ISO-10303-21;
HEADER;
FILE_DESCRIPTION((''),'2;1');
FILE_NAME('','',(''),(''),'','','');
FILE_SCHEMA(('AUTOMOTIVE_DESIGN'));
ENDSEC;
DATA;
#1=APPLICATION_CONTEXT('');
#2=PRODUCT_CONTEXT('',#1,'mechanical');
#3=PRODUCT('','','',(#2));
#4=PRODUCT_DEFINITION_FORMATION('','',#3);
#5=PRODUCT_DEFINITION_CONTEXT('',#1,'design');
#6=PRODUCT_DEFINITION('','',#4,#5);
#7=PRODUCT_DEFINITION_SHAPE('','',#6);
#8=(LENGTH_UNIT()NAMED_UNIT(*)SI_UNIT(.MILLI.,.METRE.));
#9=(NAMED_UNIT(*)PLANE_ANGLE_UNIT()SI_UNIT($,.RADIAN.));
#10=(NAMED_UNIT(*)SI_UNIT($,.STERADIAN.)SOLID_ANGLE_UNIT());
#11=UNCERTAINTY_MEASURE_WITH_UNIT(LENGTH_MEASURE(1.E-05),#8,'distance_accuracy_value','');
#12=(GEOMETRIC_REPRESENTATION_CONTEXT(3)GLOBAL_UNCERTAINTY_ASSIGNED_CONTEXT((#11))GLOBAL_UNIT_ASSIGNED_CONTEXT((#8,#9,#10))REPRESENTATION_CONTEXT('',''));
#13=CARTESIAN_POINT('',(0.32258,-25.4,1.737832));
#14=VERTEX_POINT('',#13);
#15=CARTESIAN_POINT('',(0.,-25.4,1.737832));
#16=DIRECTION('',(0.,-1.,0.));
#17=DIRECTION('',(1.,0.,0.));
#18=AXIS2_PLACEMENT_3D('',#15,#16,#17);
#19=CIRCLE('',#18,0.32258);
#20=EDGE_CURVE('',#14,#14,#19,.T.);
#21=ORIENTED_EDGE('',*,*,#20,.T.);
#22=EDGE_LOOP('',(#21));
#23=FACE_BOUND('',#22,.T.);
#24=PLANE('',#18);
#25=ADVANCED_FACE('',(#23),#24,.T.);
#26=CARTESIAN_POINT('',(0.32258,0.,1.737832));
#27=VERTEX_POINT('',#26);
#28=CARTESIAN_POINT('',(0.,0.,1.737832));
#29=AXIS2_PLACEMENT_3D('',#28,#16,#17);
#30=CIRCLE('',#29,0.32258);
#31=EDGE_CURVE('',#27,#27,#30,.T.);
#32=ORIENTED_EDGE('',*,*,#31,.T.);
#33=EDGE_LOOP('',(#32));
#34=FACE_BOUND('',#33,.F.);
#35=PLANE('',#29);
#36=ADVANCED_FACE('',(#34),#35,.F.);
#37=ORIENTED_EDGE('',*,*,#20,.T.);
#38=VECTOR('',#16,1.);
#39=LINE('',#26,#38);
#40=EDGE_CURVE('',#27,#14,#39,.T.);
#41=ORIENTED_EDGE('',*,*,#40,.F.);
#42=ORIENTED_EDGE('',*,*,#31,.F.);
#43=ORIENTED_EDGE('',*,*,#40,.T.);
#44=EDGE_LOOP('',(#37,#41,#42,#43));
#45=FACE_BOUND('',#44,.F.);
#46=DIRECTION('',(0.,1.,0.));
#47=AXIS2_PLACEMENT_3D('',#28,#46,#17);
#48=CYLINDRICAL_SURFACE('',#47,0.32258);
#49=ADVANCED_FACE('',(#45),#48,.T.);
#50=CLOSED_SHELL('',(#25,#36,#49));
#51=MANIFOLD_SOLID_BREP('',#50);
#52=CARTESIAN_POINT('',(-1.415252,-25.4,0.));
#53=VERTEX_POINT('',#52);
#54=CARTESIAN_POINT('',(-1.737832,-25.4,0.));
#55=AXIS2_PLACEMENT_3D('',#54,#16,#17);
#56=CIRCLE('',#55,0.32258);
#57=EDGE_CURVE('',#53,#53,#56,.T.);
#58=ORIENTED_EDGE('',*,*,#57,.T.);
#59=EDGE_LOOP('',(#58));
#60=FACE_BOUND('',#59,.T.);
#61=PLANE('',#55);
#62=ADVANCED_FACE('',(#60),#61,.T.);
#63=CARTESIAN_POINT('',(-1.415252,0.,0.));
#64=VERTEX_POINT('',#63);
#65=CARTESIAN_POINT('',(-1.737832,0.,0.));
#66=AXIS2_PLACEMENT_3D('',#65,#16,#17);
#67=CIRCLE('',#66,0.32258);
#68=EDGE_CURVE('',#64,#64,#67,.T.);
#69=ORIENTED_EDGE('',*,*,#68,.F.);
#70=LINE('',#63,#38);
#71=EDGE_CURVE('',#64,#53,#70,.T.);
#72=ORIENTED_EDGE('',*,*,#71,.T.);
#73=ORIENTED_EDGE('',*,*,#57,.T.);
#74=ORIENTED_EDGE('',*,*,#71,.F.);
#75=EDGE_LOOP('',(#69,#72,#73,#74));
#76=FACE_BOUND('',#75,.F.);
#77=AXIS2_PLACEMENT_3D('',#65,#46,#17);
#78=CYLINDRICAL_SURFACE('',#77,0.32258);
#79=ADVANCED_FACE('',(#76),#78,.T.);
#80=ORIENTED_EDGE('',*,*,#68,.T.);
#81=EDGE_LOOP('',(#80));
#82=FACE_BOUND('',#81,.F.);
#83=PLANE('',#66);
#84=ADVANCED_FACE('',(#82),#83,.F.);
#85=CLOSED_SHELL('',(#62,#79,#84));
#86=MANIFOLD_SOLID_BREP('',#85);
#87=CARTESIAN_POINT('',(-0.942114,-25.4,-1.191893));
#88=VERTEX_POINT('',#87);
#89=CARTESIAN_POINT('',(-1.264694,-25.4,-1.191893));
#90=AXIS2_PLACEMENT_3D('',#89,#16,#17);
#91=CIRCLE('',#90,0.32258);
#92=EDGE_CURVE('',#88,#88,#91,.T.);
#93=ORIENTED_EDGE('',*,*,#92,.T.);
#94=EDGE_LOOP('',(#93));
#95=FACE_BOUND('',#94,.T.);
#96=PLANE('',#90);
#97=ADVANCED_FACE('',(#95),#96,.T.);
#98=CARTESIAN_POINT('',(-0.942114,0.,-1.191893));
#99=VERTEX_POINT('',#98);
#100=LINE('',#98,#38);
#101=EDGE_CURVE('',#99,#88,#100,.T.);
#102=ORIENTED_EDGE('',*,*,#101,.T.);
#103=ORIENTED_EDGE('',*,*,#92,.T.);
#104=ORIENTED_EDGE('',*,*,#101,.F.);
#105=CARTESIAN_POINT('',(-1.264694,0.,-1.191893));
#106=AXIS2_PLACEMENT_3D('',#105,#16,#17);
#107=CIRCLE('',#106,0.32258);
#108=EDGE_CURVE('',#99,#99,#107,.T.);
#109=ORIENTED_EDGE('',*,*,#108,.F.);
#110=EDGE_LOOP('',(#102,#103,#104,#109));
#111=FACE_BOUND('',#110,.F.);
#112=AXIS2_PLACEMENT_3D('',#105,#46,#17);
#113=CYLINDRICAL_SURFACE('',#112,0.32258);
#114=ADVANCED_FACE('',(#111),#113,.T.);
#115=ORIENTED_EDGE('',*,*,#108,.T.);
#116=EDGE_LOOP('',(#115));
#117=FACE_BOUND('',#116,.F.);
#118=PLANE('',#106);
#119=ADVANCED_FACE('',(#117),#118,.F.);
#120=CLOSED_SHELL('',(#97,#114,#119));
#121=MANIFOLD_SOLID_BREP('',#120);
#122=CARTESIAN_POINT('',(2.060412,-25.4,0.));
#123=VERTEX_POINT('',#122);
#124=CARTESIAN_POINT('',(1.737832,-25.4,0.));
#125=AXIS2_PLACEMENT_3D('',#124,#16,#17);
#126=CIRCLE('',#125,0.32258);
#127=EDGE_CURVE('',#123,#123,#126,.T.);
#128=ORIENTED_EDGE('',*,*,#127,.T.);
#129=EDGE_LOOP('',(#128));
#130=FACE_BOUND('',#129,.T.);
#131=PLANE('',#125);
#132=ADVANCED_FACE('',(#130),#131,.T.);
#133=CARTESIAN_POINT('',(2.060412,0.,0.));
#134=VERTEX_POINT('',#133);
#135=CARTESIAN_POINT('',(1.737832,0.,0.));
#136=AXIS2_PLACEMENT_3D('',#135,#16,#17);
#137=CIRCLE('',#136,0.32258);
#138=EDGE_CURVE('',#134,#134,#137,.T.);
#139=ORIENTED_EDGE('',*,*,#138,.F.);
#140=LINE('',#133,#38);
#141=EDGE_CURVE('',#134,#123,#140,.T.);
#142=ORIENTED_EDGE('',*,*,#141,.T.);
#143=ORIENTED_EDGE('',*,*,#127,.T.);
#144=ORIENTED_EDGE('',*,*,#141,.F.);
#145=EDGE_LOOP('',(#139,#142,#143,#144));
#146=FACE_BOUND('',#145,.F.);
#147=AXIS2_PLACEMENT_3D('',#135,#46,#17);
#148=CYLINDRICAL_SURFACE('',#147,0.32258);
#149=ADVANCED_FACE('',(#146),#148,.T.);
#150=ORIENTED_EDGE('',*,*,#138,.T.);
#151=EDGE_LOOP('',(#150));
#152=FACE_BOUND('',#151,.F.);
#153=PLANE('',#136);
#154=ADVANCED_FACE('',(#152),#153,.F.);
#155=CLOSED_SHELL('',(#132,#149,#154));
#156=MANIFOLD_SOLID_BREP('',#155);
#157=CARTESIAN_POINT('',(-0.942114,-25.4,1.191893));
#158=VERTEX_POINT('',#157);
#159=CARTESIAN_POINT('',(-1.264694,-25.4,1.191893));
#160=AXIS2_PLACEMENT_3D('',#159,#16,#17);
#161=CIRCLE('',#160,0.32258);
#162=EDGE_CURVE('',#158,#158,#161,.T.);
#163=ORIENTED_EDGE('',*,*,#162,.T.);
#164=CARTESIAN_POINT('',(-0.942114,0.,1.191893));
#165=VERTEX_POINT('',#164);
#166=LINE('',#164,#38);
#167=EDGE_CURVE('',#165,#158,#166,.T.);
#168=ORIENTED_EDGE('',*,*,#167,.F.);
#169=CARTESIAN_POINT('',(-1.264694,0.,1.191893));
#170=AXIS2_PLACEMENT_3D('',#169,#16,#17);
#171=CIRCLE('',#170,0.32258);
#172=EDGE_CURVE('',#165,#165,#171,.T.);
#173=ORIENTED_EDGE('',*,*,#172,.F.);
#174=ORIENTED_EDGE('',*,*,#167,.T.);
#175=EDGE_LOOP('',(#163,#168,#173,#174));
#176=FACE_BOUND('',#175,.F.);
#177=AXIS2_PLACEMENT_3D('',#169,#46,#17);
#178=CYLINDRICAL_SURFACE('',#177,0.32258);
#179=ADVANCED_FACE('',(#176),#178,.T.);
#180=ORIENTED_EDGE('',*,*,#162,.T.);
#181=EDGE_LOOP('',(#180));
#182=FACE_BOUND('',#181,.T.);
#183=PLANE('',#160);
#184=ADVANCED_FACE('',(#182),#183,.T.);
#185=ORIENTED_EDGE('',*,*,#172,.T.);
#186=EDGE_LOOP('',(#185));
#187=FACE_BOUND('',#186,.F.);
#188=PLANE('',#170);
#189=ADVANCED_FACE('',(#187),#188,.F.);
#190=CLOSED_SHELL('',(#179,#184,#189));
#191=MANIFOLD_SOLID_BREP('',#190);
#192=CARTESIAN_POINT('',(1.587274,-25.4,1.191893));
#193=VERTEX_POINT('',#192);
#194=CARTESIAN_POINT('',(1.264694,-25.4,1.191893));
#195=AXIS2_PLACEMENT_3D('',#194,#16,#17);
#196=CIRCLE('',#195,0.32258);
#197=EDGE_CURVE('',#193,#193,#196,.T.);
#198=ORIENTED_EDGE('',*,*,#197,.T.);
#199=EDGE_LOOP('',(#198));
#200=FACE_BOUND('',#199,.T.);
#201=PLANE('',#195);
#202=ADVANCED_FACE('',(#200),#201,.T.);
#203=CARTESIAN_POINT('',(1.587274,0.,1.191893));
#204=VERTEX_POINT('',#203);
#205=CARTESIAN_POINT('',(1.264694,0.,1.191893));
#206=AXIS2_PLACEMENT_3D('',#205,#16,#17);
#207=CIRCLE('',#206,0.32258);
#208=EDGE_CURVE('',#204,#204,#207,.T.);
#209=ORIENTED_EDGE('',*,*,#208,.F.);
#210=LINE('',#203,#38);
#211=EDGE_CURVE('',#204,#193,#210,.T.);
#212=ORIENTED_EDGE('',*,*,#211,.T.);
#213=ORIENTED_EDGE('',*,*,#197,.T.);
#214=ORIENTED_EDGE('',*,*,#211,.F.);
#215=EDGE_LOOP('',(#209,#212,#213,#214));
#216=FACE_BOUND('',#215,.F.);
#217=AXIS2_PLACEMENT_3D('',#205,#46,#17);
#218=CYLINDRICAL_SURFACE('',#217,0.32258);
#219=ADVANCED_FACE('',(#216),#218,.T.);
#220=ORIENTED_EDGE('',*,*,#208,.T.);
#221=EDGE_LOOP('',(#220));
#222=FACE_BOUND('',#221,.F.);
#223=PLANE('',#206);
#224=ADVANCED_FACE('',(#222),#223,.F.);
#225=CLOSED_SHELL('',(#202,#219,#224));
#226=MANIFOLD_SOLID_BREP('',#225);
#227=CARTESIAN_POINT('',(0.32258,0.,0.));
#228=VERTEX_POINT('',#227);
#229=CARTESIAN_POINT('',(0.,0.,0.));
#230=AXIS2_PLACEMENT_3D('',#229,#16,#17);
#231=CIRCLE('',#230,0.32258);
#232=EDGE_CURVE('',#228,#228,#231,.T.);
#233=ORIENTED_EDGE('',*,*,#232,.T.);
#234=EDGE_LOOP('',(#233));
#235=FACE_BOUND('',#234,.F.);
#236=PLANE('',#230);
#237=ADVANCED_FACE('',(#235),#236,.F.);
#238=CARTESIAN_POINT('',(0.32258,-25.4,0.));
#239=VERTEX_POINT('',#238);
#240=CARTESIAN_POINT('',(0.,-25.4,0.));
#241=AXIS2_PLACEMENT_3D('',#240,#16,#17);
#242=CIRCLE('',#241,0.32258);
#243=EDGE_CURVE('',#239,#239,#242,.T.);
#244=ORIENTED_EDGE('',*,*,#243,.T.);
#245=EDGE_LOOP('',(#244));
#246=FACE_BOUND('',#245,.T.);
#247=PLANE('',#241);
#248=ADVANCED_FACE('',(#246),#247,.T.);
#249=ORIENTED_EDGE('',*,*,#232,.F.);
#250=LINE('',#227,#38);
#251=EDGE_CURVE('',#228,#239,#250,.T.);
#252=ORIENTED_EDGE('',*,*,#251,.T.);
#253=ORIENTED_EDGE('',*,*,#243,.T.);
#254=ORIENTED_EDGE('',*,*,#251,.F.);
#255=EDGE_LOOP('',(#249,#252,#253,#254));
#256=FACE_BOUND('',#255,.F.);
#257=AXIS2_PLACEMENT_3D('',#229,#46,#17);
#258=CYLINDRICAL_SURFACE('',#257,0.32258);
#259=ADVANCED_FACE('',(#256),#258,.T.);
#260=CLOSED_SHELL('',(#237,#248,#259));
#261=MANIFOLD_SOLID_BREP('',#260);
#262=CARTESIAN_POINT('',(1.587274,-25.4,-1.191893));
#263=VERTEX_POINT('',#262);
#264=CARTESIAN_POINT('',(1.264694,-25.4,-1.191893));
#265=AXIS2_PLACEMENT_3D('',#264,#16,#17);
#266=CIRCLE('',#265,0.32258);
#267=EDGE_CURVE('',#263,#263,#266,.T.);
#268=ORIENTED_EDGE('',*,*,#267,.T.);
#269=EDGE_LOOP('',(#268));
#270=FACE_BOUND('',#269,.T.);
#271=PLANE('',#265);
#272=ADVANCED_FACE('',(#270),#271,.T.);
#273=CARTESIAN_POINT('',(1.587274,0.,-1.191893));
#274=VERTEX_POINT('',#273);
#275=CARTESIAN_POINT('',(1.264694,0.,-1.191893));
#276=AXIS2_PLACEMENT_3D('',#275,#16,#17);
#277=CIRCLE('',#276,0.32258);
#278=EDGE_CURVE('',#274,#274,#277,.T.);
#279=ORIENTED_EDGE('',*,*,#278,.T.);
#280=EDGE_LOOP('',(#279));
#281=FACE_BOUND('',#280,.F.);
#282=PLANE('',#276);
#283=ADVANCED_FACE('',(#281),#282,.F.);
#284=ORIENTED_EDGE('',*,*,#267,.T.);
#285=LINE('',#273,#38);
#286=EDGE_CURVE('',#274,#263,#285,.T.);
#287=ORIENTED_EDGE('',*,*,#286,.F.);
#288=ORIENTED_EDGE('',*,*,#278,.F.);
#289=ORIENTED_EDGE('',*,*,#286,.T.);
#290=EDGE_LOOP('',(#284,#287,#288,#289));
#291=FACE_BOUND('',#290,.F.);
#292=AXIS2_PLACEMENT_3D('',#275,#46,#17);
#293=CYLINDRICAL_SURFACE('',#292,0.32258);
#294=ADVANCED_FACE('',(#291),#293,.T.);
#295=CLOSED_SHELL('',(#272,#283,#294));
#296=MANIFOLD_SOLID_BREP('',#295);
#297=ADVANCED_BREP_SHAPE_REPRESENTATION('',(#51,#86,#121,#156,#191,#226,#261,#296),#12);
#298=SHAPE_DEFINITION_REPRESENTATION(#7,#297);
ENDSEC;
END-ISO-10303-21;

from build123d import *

# Parameters (mm, degrees)
F0_R     = 0.32258
F1_DEPTH = 25.4


with BuildPart() as f1:
    # F0 (on Front) → F1 (new body)
    with BuildSketch(Plane.XZ):
        with Locations((1.737832, 0)):
            Circle(F0_R)
        with Locations((1.264694, -1.191893)):
            Circle(F0_R)
        with Locations((1.264694, 1.191893)):
            Circle(F0_R)
        Circle(F0_R)
        with Locations((-1.264694, -1.191893)):
            Circle(F0_R)
        with Locations((-1.737832, 0)):
            Circle(F0_R)
        with Locations((-1.264694, 1.191893)):
            Circle(F0_R)
        with Locations((0, 1.737832)):
            Circle(F0_R)
    extrude(amount=F1_DEPTH)


solid = f1.part
